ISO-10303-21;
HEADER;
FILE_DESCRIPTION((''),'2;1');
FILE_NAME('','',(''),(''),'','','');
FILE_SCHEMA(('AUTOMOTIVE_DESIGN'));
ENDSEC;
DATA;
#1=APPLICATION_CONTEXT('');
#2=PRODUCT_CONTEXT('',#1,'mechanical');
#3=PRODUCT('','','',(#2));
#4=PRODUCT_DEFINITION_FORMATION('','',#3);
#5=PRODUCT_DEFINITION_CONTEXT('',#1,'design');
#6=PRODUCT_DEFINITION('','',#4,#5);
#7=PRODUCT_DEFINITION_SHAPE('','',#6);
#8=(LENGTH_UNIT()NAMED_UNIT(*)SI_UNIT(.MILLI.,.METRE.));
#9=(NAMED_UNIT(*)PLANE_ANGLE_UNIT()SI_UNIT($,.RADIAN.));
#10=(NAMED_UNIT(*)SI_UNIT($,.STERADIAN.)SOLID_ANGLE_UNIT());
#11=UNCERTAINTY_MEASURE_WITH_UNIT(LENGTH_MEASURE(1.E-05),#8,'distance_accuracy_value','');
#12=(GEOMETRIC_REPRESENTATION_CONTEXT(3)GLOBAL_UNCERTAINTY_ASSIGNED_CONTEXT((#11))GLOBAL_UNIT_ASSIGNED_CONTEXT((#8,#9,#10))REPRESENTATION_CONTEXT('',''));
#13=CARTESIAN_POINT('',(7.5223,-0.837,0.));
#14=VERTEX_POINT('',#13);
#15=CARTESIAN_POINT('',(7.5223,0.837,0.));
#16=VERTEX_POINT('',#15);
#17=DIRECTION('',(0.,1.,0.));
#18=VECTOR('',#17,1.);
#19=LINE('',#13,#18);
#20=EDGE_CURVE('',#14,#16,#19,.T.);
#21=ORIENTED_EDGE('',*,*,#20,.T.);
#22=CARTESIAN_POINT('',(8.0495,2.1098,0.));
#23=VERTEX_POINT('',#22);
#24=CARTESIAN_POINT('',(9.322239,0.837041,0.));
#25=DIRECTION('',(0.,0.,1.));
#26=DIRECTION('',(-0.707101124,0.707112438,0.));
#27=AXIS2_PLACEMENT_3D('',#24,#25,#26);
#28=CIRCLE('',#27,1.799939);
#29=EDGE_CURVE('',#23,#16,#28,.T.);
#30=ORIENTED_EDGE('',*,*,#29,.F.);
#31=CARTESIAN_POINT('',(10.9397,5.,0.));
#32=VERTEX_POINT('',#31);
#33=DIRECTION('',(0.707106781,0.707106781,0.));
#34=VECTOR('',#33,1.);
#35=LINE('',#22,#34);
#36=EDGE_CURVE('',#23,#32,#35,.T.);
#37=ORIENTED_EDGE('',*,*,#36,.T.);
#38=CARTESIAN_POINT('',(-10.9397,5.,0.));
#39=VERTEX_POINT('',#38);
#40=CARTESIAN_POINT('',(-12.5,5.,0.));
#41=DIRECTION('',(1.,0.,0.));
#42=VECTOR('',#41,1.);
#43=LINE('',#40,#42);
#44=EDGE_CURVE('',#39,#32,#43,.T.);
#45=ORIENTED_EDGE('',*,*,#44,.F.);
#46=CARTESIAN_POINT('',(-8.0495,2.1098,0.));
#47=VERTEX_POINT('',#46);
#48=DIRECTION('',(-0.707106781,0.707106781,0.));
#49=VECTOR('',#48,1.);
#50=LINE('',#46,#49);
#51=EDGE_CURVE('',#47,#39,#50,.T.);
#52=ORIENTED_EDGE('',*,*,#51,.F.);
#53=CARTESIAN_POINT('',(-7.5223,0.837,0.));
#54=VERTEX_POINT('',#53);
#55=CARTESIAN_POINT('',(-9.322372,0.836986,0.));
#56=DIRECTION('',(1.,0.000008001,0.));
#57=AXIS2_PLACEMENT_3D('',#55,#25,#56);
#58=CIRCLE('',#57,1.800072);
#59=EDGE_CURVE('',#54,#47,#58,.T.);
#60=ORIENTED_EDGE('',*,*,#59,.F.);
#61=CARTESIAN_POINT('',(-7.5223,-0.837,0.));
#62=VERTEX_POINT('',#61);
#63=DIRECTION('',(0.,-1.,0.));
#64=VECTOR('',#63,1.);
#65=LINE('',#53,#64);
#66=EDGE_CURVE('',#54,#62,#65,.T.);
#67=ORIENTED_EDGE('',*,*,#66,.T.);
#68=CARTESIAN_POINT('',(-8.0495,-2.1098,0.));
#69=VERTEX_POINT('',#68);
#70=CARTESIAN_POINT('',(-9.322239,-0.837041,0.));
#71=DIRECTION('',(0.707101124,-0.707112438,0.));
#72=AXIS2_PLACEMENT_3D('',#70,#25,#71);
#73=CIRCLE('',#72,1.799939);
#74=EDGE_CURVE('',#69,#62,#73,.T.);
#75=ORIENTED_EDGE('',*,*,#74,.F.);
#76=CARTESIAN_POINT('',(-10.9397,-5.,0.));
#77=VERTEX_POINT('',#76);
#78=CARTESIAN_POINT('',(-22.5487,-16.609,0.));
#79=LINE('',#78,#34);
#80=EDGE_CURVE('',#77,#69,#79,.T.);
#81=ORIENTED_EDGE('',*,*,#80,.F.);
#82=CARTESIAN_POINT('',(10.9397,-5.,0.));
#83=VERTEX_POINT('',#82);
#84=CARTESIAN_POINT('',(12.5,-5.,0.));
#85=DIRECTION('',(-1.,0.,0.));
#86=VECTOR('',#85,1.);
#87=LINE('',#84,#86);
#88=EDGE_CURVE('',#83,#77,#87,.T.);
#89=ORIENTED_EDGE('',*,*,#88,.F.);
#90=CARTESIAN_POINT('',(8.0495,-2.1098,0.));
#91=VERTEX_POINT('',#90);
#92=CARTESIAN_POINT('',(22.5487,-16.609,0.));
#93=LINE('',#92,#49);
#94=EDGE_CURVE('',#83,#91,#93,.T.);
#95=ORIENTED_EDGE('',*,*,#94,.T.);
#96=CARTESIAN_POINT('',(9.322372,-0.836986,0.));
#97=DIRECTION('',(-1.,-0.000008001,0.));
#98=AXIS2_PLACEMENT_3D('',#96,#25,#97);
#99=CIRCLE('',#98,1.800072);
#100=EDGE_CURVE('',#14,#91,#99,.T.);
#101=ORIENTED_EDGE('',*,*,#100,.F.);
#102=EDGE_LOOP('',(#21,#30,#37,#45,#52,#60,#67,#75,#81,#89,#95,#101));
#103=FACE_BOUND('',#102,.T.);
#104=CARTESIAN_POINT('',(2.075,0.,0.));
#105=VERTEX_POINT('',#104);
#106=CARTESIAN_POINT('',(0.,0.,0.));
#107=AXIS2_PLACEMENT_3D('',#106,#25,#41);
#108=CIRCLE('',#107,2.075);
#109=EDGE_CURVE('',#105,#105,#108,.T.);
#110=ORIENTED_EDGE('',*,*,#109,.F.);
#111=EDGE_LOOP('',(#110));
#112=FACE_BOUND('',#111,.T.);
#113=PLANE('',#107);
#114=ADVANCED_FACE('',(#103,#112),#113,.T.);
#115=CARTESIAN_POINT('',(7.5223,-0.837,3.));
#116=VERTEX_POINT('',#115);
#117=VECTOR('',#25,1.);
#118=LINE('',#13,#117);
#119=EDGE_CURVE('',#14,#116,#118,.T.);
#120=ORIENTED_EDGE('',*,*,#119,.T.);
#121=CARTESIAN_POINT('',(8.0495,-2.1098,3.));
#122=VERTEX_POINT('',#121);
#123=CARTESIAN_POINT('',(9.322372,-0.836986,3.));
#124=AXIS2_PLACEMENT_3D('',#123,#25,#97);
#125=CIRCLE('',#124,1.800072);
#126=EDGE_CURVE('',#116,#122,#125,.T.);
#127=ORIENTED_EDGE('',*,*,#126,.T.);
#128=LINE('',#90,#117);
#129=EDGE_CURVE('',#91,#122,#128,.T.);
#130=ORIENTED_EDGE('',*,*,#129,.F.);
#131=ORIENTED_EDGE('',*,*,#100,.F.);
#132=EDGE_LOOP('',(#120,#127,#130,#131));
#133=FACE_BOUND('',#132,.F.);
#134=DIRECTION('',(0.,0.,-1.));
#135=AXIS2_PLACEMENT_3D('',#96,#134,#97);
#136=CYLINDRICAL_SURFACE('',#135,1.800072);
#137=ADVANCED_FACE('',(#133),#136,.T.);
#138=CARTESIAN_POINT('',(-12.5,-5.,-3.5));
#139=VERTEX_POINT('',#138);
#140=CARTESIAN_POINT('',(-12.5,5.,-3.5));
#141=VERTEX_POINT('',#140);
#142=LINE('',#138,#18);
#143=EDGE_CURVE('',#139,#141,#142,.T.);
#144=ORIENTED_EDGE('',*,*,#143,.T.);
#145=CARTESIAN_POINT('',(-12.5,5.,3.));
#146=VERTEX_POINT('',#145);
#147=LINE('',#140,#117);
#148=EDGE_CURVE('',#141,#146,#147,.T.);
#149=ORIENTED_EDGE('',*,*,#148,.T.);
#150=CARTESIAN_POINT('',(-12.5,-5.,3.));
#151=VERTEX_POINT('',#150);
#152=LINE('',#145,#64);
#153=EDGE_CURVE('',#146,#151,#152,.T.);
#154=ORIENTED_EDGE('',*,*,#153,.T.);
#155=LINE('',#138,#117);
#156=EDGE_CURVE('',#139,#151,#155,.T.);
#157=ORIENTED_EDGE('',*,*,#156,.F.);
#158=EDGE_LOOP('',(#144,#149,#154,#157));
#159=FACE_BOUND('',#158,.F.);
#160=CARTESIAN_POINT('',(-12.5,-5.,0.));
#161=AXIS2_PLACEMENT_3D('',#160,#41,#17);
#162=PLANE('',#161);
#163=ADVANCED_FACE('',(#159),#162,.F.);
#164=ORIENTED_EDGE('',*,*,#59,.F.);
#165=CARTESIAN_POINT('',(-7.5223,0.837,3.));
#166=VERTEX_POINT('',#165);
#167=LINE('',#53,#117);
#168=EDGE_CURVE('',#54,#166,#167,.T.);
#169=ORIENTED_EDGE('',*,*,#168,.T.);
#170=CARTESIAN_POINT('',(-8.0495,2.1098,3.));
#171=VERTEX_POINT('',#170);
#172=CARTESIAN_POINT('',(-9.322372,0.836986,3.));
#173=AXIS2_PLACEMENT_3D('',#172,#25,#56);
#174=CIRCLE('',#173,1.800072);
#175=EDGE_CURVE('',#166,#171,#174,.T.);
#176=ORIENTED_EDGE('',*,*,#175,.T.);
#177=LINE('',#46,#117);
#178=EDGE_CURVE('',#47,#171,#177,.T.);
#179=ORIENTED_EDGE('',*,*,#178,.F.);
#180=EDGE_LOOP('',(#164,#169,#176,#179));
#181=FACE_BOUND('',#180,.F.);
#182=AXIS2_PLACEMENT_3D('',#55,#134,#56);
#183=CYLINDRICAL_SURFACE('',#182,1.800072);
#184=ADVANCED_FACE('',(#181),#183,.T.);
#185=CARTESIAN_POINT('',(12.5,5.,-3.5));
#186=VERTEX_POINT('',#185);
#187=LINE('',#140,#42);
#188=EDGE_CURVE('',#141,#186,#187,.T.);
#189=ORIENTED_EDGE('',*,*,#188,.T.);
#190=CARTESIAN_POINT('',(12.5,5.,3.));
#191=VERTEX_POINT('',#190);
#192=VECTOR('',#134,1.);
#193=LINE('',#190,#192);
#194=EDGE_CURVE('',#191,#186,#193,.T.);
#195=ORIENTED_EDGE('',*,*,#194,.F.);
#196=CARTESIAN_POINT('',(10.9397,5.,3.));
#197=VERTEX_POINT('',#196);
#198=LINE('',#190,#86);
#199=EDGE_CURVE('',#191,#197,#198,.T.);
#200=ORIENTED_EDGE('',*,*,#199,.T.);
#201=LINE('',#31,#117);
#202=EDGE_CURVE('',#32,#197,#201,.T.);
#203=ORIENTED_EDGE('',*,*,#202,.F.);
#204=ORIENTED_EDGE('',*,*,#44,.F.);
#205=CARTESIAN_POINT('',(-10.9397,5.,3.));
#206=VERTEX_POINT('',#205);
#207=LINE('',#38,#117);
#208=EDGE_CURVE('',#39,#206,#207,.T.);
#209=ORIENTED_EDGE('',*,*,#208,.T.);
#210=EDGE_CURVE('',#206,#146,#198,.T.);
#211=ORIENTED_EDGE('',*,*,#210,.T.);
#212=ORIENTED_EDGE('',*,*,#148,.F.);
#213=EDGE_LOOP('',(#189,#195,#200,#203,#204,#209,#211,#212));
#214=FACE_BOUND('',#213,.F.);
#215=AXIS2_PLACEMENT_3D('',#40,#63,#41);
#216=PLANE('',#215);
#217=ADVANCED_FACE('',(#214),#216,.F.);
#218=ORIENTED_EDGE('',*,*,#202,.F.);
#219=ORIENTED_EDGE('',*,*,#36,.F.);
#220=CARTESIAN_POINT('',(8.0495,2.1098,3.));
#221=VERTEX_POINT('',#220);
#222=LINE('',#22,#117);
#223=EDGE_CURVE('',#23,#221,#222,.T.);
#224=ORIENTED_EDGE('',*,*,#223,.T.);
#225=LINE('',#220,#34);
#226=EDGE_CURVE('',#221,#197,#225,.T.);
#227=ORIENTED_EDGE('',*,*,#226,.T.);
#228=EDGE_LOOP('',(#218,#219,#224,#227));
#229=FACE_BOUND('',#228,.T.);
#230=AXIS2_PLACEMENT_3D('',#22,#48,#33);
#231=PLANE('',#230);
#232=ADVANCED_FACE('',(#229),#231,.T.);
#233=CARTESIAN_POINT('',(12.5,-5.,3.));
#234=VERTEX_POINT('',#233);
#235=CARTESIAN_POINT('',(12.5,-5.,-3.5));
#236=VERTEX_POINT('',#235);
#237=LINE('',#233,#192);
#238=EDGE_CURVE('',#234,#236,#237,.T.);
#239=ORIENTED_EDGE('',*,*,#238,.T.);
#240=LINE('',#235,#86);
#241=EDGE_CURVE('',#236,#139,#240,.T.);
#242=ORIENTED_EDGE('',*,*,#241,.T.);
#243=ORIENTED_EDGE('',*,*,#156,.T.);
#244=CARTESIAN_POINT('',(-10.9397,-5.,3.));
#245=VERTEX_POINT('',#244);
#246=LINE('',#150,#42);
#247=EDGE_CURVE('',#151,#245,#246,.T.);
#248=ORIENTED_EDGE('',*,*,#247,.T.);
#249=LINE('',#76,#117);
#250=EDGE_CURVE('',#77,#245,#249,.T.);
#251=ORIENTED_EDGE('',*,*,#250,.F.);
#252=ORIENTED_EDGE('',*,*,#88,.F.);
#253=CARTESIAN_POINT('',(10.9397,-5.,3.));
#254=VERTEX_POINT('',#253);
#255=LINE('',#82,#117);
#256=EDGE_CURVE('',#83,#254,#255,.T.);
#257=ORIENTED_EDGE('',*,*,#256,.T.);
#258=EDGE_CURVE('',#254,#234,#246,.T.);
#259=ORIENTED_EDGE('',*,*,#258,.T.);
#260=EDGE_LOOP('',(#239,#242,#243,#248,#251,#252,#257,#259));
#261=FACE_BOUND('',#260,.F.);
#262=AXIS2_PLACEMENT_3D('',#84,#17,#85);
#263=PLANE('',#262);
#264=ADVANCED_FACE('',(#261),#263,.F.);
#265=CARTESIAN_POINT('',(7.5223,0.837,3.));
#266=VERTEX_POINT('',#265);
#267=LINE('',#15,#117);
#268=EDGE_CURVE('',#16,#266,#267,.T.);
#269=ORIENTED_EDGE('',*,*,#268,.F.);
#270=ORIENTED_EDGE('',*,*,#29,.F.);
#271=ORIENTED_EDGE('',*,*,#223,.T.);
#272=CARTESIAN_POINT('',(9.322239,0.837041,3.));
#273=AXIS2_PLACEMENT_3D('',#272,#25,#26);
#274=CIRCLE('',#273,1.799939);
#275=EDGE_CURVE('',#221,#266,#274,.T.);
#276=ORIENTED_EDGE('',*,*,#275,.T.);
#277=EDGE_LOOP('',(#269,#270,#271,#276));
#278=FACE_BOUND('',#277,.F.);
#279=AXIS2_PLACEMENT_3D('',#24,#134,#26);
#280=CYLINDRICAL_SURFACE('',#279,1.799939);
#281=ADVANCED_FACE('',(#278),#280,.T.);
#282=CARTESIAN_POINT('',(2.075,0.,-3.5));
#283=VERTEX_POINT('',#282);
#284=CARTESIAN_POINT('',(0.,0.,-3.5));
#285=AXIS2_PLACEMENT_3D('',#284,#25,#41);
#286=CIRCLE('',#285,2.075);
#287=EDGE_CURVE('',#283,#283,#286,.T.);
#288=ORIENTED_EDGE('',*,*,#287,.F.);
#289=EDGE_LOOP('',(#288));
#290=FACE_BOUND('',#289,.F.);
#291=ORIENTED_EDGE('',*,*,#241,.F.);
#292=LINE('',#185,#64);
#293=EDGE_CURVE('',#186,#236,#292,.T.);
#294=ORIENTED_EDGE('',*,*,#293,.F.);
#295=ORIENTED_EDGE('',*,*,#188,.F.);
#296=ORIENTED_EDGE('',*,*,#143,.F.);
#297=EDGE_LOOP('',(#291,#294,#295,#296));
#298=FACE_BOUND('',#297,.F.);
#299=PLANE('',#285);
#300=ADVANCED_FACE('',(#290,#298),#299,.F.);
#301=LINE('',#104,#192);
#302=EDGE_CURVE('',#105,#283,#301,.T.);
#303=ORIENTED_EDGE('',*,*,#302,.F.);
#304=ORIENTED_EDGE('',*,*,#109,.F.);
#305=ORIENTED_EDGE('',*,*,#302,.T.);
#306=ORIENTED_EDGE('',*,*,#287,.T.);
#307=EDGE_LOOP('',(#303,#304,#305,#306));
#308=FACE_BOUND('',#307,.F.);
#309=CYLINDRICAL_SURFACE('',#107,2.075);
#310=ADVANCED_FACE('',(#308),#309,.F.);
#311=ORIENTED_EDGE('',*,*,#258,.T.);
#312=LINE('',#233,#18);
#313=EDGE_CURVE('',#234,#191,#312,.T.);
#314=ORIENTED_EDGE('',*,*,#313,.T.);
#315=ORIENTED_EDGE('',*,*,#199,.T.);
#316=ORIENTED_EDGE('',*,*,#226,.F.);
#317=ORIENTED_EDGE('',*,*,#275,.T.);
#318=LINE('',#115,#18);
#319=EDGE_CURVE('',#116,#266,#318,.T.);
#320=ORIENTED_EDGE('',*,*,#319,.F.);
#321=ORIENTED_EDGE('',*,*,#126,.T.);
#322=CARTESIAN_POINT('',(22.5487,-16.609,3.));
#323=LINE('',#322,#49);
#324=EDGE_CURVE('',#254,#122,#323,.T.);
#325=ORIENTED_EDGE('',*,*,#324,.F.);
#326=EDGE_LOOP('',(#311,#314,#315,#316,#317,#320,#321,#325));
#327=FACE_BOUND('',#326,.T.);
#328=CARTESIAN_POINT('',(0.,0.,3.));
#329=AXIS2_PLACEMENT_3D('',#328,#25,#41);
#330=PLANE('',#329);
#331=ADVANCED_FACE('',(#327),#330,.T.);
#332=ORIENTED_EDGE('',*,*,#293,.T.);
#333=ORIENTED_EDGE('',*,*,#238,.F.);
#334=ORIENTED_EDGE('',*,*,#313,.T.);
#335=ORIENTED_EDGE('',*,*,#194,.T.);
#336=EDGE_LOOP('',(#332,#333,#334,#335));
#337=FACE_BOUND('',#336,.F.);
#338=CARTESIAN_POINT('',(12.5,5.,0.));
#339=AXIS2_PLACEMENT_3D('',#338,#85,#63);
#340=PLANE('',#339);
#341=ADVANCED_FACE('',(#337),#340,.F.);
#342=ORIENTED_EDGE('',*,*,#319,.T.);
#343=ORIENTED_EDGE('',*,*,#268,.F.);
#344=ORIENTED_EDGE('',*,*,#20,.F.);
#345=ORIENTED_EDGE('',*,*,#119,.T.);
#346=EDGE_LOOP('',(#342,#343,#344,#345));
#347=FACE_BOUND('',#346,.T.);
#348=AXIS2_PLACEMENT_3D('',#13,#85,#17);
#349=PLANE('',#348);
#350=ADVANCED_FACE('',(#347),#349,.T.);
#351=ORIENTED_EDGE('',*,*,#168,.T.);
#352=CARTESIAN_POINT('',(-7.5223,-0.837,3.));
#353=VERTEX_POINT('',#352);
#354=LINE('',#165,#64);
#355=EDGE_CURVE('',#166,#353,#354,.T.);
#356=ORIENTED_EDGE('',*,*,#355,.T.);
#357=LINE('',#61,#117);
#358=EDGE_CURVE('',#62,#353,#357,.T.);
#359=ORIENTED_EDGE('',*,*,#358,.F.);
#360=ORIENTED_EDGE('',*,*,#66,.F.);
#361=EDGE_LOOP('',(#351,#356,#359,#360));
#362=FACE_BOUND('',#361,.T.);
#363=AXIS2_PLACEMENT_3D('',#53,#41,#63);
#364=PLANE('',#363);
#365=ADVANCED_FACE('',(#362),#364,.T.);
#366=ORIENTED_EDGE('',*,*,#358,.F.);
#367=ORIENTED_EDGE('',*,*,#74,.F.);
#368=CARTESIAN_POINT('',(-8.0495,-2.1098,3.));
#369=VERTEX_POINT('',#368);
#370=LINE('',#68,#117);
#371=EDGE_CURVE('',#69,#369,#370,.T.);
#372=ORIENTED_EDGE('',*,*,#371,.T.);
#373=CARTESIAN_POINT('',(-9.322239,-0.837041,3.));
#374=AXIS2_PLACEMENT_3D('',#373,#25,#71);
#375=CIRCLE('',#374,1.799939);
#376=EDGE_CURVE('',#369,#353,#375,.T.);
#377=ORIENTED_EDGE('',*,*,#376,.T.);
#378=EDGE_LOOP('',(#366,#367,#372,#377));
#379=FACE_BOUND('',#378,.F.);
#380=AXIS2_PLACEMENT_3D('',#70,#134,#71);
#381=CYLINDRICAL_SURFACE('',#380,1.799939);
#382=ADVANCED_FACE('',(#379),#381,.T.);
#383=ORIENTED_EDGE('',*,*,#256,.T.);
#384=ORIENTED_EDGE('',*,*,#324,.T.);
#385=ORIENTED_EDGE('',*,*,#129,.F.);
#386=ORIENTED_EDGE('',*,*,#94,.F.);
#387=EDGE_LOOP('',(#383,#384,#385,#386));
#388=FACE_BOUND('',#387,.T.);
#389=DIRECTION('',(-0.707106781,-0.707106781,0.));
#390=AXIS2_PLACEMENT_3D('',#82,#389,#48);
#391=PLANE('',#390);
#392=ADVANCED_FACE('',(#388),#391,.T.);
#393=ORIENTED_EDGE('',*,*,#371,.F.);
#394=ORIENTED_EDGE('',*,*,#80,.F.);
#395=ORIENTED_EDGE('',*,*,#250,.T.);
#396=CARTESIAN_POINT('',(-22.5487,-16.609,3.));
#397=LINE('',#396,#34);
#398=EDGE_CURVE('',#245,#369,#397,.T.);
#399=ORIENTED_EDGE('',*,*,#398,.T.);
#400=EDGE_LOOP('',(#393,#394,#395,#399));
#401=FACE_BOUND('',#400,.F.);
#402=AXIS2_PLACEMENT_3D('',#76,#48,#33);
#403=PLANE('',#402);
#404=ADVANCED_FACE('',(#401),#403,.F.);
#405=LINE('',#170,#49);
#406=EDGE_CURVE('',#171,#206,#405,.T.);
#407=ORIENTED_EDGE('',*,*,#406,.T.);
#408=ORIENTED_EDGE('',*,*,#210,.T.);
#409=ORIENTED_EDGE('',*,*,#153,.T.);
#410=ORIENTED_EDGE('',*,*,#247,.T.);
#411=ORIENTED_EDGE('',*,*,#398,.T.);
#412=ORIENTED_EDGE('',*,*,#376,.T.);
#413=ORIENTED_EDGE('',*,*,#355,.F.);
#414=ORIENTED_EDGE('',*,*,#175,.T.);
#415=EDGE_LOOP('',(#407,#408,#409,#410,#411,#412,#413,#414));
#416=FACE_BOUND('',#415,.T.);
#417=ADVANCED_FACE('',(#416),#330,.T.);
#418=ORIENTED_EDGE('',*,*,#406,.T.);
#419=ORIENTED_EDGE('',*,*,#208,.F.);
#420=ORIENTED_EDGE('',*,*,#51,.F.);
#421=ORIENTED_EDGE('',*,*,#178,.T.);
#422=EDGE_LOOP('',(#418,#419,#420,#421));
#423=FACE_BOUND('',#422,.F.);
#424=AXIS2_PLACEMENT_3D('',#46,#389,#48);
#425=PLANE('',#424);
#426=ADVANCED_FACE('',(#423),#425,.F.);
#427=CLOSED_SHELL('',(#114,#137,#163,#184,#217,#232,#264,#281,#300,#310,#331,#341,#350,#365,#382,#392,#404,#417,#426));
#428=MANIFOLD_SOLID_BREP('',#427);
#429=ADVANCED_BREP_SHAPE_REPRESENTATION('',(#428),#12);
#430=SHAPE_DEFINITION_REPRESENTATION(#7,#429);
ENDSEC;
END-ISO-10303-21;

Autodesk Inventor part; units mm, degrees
ref_plane "YZ Plane" through (0, 0, 0) normal (1, 0, 0) x (0, 1, 0)
ref_plane "XZ Plane" through (0, 0, 0) normal (0, 1, 0) x (-1, 0, 0)
ref_plane "XY Plane" through (0, 0, 0) normal (0, 0, 1) x (1, 0, 0)
sketch "Sketch1" plane through (0, 0, 0) normal (0, 0, 1) x (1, 0, 0)
  circle A0 centre (0, 0) radius 2.075
  line L0 (-12.5, 5) -> (12.5, 5)
  line L1 (12.5, 5) -> (12.5, -5)
  line L2 (12.5, -5) -> (-12.5, -5)
  line L3 (-12.5, -5) -> (-12.5, 5)
  line L4 (-12.5, 5) -> (12.5, -5) construction
  line L5 (12.5, 5) -> (-12.5, -5) construction
  dimension "d0" = 4.15
  dimension "d1" = 25
  dimension "d2" = 10
extrude "Extrusion1" add sketch "Sketch1" against normal blind 3.5
sketch "Sketch3" plane through (0, 0, 0) normal (0, 0, 1) x (1, 0, 0)
  line L0 (-22.7487, 17.0919) -> (-7.9081, 2.2513)
  arc A0 (-7.3223, 0.837) -> (-7.9081, 2.2513) centre (-9.3223, 0.837) ccw
  line L1 (-7.3223, 0.837) -> (-7.3223, -0.837)
  arc A1 (-7.9081, -2.2513) -> (-7.3223, -0.837) centre (-9.3223, -0.837) ccw
  line L2 (-7.9081, -2.2513) -> (-22.7487, -17.0919)
  line L3 (22.7487, -17.0919) -> (7.9081, -2.2513)
  arc A2 (7.3223, -0.837) -> (7.9081, -2.2513) centre (9.3223, -0.837) ccw
  line L4 (7.3223, -0.837) -> (7.3223, 0.837)
  arc A3 (7.9081, 2.2513) -> (7.3223, 0.837) centre (9.3223, 0.837) ccw
  line L5 (7.9081, 2.2513) -> (22.7487, 17.0919)
  circle A4 centre (0, 0) radius 1.65
  line L6 (-22.7487, 17.0919) -> (-22.7487, -17.0919)
  line L7 (22.7487, 17.0919) -> (22.7487, -17.0919)
  line L8 (-8.0495, 2.1098) -> (-22.5487, 16.609)
  line L9 (-22.5487, 16.609) -> (-22.5487, -16.609)
  line L10 (-22.5487, -16.609) -> (-8.0495, -2.1098)
  arc A5 (-7.5223, 0.837) -> (-8.0495, 2.1098) centre (-9.3223, 0.837) ccw
  line L11 (-7.5223, 0.837) -> (-7.5223, -0.837)
  arc A6 (-8.0495, -2.1098) -> (-7.5223, -0.837) centre (-9.3223, -0.837) ccw
  line L12 (7.5223, -0.837) -> (7.5223, 0.837)
  arc A7 (8.0495, 2.1098) -> (7.5223, 0.837) centre (9.3223, 0.837) ccw
  line L13 (8.0495, 2.1098) -> (22.8902, 16.9505)
  line L14 (22.5487, 17.0919) -> (22.5487, -16.609)
  line L15 (22.5487, -16.609) -> (8.0495, -2.1098)
  arc A8 (7.5223, -0.837) -> (8.0495, -2.1098) centre (9.3223, -0.837) ccw
  line L16 (-12.5, -5) -> (12.5, -5) projected
  line L17 (12.5, -5) -> (12.5, 5) projected
  line L18 (12.5, 5) -> (-12.5, 5) projected
  line L19 (-12.5, 5) -> (-12.5, -5) projected
  circle A9 centre (0, 0) radius 2.075 projected
  point P0 (8.0495, -2.1098)
  point P1 (10.9397, -5)
  point P2 (10.9397, 5)
  point P3 (-10.9397, 5)
  point P4 (-10.9397, -5)
  point P5 (-8.0495, -2.1098)
  dimension "d1" = 25
  dimension "d5" = 0.2
  dimension "d6" = 0.2
  dimension "d7" = 0.2
  dimension "d8" = 0.2
  dimension "d9" = 0.2
  dimension "d10" = 0.2
  dimension "d11" = 0.2
  dimension "d12" = 0.2
  dimension "d13" = 0.2
extrude "Extrusion2" add sketch "Sketch3" along normal blind 3 contours L8 A5 L11 A6 L10 L16 L19 L18 | L18 L17 L16 L15 A8 L12 A7 L13
equation "\"d6\" = d5"
equation "\"d7\" = d5"
equation "\"d8\" = d5"
equation "\"d9\" = d5"
equation "\"d10\" = d5"
equation "\"d11\" = d5"
equation "\"d12\" = d5"
equation "\"d13\" = d5"
properties part number "backing_nut"
